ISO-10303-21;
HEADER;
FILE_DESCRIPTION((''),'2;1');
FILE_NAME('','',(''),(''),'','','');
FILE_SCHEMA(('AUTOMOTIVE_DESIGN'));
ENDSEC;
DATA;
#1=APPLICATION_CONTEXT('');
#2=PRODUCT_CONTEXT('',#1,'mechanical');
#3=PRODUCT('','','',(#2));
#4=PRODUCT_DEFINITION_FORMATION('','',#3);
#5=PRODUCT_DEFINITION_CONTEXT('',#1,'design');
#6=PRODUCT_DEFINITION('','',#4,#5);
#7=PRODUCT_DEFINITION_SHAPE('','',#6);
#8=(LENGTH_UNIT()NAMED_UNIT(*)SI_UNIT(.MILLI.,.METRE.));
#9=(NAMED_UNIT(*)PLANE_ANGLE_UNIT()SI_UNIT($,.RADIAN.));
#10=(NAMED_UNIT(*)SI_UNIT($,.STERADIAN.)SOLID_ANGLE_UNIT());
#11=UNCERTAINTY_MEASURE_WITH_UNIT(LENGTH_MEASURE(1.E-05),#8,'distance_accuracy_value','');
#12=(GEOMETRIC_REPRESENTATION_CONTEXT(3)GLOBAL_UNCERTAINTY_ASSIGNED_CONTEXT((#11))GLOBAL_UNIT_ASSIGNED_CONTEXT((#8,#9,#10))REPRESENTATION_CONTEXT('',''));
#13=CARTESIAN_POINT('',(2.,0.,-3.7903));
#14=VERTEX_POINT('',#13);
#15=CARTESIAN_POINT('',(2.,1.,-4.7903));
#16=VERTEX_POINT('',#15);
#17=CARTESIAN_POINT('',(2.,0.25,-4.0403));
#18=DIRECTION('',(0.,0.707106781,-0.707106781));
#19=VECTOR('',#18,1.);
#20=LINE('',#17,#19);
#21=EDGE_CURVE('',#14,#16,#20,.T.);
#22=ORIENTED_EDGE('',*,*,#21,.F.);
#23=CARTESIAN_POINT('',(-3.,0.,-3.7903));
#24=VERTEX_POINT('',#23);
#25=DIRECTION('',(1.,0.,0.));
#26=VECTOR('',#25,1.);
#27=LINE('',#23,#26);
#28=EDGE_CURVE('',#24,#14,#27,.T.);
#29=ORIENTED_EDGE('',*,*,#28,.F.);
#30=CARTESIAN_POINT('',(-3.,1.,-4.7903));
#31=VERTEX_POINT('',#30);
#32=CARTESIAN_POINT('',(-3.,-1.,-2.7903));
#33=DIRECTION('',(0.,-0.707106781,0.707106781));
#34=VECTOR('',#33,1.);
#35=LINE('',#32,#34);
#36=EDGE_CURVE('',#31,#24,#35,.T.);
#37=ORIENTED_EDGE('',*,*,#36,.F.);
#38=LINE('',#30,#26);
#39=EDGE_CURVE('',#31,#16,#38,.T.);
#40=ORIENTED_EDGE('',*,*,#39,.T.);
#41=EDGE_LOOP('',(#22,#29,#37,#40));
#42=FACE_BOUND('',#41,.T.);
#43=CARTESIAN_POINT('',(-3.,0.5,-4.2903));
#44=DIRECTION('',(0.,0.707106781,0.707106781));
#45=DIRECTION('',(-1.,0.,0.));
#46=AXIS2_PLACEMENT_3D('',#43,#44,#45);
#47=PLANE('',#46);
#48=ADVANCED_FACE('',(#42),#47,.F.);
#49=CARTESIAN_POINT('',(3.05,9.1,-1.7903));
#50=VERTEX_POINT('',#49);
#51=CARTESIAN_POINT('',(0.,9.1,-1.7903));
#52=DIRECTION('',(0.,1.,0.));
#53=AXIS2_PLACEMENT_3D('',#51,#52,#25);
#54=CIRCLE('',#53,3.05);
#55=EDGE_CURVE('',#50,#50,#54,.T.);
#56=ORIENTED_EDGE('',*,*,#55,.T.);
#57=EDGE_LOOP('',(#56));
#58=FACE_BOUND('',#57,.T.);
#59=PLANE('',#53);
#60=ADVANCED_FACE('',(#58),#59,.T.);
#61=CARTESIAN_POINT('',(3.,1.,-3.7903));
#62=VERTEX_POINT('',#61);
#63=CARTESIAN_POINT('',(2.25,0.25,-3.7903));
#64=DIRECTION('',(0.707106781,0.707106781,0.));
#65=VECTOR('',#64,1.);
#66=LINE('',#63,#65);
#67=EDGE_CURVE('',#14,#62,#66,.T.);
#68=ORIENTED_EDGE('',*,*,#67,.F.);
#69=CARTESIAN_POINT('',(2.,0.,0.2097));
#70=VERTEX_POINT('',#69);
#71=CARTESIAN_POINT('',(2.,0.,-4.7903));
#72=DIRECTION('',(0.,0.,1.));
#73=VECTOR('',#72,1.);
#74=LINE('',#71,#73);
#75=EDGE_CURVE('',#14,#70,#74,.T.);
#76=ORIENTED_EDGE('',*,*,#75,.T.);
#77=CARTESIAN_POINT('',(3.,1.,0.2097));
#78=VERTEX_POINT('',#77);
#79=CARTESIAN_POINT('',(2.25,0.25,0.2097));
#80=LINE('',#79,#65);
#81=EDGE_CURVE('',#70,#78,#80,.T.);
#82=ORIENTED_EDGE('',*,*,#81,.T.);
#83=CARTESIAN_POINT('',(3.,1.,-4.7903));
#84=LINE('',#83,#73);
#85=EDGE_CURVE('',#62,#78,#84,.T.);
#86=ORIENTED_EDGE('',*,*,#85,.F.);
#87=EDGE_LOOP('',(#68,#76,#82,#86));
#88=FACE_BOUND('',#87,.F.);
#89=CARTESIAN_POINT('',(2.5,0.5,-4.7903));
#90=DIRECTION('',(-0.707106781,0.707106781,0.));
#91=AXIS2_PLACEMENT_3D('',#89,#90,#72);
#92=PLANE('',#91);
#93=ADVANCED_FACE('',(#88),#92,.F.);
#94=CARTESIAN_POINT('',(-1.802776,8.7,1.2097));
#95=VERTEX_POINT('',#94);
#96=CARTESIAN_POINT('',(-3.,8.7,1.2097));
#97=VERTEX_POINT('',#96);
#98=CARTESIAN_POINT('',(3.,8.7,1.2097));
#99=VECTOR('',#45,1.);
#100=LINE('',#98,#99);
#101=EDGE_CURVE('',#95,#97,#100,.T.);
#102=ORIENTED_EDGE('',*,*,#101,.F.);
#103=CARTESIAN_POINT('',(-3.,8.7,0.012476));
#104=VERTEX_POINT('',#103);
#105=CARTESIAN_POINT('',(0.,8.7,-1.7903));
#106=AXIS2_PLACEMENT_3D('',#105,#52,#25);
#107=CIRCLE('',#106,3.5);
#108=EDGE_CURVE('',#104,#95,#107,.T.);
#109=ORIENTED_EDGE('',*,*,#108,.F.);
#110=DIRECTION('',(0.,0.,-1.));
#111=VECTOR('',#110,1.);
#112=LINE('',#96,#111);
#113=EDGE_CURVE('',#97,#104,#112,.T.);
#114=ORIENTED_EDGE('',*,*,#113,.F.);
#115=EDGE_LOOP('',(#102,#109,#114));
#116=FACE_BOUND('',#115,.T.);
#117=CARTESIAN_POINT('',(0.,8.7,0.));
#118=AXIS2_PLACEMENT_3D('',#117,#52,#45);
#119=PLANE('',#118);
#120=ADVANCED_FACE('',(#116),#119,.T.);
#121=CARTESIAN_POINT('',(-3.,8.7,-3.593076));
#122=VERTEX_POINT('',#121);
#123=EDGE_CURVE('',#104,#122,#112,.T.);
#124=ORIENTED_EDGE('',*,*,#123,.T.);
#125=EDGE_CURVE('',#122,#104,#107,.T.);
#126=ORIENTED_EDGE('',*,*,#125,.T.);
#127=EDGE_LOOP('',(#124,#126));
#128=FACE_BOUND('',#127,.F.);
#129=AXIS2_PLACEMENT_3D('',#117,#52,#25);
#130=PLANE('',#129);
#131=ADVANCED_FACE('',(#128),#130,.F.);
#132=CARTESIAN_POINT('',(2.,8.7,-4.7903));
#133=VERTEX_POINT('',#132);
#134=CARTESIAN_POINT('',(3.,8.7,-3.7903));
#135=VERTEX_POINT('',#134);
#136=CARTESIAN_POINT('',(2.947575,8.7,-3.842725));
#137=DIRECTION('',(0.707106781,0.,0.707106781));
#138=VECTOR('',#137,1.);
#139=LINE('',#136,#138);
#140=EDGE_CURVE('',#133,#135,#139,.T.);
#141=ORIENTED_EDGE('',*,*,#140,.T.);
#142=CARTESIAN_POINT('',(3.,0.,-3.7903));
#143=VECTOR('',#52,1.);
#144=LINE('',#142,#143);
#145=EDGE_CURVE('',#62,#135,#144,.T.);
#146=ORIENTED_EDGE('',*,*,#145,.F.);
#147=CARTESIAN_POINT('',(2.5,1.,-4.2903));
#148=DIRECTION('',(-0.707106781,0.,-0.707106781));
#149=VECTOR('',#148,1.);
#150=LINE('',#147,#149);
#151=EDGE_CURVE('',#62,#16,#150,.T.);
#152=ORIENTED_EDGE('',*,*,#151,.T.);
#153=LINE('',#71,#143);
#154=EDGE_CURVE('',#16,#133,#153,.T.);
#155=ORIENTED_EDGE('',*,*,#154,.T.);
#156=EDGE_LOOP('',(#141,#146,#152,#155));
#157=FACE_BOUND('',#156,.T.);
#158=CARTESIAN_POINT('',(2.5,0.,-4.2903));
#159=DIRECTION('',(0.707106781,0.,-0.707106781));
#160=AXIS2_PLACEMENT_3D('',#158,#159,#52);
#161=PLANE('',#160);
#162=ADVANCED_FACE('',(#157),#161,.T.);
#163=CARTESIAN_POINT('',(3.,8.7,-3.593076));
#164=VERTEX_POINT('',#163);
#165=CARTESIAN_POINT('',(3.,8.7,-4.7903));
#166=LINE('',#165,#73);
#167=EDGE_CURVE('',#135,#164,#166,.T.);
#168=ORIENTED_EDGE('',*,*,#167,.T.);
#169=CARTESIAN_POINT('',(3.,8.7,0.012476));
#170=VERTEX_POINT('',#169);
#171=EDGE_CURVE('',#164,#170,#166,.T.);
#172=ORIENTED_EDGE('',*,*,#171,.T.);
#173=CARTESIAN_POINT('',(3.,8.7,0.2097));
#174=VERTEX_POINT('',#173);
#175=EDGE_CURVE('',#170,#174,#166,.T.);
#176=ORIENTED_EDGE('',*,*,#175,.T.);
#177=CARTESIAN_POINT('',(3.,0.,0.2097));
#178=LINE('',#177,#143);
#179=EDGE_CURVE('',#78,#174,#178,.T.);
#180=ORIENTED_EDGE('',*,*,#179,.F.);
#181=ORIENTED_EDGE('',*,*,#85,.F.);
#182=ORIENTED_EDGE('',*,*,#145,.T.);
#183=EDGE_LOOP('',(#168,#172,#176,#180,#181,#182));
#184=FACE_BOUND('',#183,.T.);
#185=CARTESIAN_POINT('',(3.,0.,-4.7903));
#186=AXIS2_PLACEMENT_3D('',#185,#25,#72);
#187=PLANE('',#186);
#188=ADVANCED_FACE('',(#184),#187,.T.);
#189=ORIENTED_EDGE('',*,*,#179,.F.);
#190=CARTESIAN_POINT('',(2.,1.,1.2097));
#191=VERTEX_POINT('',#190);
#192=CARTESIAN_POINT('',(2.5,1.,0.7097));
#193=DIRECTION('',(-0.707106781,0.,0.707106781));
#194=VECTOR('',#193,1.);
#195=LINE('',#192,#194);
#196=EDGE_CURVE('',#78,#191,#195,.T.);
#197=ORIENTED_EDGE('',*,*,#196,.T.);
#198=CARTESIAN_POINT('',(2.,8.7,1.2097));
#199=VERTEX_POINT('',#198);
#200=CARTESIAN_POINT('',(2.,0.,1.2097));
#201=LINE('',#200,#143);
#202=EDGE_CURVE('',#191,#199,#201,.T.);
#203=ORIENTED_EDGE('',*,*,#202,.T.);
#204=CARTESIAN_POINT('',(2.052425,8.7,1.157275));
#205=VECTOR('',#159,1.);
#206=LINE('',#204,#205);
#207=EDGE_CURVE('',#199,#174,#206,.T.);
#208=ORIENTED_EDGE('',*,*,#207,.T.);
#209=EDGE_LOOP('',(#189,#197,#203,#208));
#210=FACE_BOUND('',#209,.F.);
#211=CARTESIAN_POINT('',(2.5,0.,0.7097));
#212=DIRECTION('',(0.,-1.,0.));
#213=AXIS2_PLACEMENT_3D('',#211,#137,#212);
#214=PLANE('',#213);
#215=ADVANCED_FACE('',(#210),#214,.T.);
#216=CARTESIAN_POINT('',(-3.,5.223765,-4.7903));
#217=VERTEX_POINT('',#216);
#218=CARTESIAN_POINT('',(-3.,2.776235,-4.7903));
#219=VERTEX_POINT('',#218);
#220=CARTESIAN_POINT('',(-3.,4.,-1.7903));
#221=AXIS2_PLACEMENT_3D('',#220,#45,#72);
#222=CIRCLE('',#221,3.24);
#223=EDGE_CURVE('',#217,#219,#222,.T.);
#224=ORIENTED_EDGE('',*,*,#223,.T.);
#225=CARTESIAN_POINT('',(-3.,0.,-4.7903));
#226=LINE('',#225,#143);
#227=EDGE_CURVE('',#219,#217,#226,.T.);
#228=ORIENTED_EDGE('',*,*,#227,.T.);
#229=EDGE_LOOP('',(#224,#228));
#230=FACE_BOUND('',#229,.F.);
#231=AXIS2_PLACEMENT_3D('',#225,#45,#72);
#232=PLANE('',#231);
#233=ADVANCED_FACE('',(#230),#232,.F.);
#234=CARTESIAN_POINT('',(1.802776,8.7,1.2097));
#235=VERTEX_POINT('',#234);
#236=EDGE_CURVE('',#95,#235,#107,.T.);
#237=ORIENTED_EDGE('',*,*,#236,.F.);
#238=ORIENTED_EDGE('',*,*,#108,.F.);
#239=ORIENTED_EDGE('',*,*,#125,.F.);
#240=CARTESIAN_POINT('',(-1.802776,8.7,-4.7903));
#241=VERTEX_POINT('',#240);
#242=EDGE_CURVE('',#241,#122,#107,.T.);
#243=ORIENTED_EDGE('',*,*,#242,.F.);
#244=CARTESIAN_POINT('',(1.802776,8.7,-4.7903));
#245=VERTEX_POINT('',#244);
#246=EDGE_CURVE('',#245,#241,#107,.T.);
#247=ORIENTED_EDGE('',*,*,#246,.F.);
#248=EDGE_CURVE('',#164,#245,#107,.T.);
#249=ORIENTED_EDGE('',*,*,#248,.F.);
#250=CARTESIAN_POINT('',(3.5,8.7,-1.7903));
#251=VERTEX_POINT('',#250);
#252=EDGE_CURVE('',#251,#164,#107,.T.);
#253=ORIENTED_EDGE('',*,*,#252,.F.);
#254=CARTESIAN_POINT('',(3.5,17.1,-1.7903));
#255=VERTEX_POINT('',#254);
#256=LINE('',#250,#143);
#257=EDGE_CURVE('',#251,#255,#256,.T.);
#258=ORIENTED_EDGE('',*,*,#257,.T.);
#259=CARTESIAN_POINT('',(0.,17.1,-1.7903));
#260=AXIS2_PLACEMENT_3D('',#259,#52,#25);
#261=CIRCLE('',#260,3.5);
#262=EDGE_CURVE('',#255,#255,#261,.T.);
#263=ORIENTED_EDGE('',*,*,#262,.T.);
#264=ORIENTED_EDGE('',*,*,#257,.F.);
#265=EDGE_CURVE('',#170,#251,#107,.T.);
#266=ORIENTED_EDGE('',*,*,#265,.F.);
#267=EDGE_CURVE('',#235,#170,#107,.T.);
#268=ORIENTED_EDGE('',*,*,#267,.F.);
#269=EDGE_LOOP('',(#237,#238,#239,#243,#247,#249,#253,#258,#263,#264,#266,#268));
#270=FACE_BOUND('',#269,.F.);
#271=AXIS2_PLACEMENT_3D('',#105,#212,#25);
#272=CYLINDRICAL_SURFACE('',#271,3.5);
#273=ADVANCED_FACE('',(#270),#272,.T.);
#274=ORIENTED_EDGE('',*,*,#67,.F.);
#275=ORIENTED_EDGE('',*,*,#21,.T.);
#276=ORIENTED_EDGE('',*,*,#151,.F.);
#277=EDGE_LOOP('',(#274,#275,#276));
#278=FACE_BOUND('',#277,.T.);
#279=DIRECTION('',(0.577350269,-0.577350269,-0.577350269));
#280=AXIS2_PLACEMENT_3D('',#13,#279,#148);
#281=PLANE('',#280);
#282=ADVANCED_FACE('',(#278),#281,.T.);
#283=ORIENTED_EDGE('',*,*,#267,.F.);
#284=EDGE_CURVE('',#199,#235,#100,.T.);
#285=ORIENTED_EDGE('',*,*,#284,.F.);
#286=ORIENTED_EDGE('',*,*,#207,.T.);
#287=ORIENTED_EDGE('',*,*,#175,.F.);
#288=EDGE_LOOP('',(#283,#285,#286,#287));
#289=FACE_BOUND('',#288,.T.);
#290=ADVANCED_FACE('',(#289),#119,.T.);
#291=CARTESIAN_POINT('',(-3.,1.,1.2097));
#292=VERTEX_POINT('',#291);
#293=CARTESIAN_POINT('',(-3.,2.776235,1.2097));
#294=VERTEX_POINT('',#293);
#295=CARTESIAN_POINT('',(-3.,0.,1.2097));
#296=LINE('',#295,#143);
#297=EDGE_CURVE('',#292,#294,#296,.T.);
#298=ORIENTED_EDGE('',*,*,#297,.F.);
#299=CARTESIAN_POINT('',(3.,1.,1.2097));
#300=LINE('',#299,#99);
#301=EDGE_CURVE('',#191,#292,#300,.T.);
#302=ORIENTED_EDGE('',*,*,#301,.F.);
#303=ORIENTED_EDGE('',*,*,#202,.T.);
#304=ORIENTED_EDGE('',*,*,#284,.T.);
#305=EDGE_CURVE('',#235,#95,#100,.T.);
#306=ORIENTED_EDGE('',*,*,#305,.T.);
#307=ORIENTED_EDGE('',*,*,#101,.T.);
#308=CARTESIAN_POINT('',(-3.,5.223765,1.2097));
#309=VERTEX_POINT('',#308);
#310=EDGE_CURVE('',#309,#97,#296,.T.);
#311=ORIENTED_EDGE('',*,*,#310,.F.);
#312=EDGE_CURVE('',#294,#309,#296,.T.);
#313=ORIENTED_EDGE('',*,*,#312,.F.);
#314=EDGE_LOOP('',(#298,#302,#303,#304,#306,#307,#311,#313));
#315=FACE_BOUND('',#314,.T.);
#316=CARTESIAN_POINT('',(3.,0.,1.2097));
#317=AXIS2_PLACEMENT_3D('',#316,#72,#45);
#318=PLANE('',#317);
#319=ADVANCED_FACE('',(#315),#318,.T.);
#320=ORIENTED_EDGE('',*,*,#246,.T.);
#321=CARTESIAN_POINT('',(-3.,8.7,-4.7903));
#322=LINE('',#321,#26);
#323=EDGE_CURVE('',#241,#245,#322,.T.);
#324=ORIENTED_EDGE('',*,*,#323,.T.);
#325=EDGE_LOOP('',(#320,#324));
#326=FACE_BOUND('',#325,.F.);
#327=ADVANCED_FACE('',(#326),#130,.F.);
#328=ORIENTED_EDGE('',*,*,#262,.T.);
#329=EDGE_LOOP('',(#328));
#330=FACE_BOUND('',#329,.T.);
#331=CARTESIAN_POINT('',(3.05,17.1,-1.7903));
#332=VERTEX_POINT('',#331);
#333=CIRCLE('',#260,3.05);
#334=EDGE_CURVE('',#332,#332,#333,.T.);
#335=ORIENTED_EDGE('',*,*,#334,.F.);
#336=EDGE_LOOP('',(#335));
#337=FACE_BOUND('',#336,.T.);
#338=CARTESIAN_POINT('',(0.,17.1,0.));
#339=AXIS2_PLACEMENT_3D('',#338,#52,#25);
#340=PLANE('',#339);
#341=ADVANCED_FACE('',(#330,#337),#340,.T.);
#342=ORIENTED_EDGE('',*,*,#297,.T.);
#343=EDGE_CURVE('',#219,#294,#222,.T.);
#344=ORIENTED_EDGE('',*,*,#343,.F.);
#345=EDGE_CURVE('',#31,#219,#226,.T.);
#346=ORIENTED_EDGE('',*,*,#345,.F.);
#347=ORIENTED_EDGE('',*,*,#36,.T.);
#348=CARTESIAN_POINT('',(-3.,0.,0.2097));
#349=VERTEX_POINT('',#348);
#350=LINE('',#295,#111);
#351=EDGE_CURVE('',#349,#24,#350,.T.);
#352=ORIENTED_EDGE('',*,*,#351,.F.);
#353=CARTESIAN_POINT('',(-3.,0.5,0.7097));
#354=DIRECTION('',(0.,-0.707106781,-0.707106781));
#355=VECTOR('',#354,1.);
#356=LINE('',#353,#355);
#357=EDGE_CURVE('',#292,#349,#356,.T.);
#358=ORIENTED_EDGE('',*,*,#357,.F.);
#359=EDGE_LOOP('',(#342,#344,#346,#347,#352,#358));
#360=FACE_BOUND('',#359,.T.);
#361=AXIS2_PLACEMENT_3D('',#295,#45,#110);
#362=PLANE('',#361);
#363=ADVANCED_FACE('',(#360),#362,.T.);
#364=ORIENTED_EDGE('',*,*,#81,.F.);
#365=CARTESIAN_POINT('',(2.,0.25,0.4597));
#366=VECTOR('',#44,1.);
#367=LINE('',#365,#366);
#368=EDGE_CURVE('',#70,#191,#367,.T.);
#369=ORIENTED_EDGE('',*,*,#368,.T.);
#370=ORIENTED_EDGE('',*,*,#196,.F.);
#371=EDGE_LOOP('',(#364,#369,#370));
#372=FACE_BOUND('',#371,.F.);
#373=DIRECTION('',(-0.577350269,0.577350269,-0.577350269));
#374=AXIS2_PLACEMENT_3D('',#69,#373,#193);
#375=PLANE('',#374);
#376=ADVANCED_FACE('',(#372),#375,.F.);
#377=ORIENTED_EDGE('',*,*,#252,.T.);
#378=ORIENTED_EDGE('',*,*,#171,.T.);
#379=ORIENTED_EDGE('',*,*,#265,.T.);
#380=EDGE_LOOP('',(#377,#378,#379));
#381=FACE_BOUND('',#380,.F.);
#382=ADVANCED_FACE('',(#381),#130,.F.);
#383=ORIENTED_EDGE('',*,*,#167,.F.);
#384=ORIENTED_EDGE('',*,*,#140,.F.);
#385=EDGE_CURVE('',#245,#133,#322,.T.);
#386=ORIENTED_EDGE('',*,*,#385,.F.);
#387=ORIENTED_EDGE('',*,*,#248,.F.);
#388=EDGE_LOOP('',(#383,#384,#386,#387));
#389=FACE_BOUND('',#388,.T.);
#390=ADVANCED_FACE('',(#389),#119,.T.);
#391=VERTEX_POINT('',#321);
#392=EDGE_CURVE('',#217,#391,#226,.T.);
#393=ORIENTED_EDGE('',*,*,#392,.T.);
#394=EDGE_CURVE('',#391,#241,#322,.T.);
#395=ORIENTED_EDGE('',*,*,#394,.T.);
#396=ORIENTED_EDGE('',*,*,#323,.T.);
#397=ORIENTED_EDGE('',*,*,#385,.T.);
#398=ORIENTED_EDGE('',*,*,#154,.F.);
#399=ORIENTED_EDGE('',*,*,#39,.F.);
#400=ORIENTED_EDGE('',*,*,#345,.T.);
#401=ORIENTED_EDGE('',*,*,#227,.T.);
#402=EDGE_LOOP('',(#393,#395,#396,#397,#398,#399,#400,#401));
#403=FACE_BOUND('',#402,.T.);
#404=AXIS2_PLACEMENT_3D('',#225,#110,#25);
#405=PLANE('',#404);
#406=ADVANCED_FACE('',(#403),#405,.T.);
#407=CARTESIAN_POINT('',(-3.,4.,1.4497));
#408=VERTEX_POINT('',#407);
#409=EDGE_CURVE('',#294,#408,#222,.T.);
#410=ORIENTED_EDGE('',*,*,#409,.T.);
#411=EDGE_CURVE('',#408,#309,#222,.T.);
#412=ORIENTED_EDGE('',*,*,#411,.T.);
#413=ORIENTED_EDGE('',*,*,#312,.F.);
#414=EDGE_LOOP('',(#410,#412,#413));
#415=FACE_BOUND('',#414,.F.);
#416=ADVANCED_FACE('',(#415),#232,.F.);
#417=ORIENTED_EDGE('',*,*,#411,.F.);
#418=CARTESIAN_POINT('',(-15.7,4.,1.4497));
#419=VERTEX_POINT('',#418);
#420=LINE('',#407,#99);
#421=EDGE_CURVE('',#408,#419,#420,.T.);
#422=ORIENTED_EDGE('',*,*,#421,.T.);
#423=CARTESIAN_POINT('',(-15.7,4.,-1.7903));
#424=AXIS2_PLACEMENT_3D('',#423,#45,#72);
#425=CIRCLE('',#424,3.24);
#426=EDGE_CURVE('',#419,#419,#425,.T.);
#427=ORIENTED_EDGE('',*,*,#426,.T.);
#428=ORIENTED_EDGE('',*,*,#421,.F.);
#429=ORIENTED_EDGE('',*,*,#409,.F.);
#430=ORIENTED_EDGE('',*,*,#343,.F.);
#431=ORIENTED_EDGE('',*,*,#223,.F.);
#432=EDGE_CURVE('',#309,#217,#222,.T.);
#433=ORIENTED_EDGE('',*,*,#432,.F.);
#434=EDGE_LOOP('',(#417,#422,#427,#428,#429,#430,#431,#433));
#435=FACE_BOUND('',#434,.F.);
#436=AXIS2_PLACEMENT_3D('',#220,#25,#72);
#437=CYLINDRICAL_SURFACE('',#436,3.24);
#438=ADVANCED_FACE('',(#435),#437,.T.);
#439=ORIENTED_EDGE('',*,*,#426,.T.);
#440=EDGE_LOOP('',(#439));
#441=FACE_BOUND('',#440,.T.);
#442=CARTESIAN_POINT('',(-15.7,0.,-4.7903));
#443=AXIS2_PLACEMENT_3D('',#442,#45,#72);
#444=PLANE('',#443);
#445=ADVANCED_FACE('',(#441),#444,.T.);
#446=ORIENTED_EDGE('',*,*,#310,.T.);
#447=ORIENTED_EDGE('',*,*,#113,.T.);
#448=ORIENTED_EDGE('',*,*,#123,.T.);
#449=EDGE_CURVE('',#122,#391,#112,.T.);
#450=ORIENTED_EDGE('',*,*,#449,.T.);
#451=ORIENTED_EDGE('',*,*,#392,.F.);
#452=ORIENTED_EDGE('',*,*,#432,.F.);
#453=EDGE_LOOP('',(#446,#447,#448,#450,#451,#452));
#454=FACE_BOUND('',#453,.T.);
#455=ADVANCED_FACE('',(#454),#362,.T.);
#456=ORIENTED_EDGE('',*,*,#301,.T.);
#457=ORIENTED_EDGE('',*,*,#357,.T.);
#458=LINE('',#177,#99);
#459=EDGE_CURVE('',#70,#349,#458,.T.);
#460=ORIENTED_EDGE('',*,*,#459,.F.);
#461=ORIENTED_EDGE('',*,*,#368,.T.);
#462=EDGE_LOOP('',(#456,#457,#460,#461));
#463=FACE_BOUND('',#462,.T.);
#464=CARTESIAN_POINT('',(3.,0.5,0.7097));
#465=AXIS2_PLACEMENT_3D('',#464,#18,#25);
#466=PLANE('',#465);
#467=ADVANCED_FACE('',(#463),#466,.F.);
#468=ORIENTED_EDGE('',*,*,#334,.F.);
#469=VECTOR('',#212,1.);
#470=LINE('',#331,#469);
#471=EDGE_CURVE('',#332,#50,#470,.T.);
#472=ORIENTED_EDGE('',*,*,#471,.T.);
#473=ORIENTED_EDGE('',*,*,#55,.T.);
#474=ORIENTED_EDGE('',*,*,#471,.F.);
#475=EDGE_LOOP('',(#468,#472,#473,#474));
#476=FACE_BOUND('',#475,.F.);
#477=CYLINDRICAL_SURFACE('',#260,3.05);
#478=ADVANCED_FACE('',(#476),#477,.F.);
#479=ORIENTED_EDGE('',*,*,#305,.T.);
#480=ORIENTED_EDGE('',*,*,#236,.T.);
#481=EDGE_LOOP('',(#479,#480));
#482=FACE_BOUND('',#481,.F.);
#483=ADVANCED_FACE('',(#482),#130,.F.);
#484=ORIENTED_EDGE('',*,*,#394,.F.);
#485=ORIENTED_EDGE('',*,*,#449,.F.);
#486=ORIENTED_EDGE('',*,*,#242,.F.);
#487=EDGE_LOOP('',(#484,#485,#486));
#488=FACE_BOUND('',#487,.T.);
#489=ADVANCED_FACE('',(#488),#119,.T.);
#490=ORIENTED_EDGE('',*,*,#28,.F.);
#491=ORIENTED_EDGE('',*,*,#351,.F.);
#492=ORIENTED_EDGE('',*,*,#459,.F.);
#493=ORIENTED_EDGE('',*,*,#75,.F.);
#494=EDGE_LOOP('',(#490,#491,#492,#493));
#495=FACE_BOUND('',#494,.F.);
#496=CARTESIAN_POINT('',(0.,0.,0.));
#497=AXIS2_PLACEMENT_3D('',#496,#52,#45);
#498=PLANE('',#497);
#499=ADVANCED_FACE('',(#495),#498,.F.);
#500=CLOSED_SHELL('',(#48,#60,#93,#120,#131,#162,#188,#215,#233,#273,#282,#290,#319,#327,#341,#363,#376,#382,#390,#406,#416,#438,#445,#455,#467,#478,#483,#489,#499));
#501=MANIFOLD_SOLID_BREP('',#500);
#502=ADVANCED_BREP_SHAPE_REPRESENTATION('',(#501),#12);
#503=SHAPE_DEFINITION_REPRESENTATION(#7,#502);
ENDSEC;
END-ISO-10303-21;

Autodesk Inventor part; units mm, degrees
ref_plane "YZ Plane" through (0, 0, 0) normal (1, 0, 0) x (0, 1, 0)
ref_plane "XZ Plane" through (0, 0, 0) normal (0, 1, 0) x (-1, 0, 0)
ref_plane "XY Plane" through (0, 0, 0) normal (0, 0, 1) x (1, 0, 0)
sketch "Sketch1" plane through (0, 0, 0) normal (0, 1, 0) x (-1, 0, 0)
  line L0 (-3, 1.2097) -> (3, 1.2097)
  line L1 (3, 1.2097) -> (3, -4.7903)
  line L2 (3, -4.7903) -> (-3, -4.7903)
  line L3 (-3, -4.7903) -> (-3, 1.2097)
  point P0 (0, 0)
  dimension "d0" = 6
  dimension "d1" = 6
extrude "Extrusion1" add sketch "Sketch1" along normal blind 8.7
sketch "Sketch2" plane through (0, 8.7, 0) normal (0, 1, 0) x (1, 0, 0)
  circle A0 centre (0, 1.7903) radius 3.5
  point P0 (0, 0)
  dimension "d4" = 7
extrude "Extrusion2" add sketch "Sketch2" along normal blind 8.4
sketch "Sketch3" plane through (0, 17.1, -1.7903) normal (0, 1, 0) x (1, 0, 0)
  circle A0 centre (0, 0) radius 3.5 projected
  circle A1 centre (0, 0) radius 3.05
  point P0 (0, -1.7903)
  dimension "d7" = 6.1
extrude "Extrusion3" cut sketch "Sketch3" against normal blind 8 contours A1
sketch "Sketch4" plane through (-3, 0, -4.7903) normal (-1, 0, 0) x (0, 0, 1)
  circle A0 centre (3, 4) radius 3.24
  line L0 (6.5, 17.1) -> (-0.5, 17.1) projected
  point P0 (4.7903, 0)
  dimension "d10" = 6.48
  dimension "d11" = 13.1
extrude "Extrusion4" add sketch "Sketch4" along normal blind 12.7
chamfer "Chamfer1" distance 1 angle 45 5 edges at (3, 4.35, 1.2097) (3, 4.35, -4.7903) (3, 0, -1.7903) (0, 0, 1.2097) (0, 0, -4.7903)
properties part number "SMA_RightAngle"
